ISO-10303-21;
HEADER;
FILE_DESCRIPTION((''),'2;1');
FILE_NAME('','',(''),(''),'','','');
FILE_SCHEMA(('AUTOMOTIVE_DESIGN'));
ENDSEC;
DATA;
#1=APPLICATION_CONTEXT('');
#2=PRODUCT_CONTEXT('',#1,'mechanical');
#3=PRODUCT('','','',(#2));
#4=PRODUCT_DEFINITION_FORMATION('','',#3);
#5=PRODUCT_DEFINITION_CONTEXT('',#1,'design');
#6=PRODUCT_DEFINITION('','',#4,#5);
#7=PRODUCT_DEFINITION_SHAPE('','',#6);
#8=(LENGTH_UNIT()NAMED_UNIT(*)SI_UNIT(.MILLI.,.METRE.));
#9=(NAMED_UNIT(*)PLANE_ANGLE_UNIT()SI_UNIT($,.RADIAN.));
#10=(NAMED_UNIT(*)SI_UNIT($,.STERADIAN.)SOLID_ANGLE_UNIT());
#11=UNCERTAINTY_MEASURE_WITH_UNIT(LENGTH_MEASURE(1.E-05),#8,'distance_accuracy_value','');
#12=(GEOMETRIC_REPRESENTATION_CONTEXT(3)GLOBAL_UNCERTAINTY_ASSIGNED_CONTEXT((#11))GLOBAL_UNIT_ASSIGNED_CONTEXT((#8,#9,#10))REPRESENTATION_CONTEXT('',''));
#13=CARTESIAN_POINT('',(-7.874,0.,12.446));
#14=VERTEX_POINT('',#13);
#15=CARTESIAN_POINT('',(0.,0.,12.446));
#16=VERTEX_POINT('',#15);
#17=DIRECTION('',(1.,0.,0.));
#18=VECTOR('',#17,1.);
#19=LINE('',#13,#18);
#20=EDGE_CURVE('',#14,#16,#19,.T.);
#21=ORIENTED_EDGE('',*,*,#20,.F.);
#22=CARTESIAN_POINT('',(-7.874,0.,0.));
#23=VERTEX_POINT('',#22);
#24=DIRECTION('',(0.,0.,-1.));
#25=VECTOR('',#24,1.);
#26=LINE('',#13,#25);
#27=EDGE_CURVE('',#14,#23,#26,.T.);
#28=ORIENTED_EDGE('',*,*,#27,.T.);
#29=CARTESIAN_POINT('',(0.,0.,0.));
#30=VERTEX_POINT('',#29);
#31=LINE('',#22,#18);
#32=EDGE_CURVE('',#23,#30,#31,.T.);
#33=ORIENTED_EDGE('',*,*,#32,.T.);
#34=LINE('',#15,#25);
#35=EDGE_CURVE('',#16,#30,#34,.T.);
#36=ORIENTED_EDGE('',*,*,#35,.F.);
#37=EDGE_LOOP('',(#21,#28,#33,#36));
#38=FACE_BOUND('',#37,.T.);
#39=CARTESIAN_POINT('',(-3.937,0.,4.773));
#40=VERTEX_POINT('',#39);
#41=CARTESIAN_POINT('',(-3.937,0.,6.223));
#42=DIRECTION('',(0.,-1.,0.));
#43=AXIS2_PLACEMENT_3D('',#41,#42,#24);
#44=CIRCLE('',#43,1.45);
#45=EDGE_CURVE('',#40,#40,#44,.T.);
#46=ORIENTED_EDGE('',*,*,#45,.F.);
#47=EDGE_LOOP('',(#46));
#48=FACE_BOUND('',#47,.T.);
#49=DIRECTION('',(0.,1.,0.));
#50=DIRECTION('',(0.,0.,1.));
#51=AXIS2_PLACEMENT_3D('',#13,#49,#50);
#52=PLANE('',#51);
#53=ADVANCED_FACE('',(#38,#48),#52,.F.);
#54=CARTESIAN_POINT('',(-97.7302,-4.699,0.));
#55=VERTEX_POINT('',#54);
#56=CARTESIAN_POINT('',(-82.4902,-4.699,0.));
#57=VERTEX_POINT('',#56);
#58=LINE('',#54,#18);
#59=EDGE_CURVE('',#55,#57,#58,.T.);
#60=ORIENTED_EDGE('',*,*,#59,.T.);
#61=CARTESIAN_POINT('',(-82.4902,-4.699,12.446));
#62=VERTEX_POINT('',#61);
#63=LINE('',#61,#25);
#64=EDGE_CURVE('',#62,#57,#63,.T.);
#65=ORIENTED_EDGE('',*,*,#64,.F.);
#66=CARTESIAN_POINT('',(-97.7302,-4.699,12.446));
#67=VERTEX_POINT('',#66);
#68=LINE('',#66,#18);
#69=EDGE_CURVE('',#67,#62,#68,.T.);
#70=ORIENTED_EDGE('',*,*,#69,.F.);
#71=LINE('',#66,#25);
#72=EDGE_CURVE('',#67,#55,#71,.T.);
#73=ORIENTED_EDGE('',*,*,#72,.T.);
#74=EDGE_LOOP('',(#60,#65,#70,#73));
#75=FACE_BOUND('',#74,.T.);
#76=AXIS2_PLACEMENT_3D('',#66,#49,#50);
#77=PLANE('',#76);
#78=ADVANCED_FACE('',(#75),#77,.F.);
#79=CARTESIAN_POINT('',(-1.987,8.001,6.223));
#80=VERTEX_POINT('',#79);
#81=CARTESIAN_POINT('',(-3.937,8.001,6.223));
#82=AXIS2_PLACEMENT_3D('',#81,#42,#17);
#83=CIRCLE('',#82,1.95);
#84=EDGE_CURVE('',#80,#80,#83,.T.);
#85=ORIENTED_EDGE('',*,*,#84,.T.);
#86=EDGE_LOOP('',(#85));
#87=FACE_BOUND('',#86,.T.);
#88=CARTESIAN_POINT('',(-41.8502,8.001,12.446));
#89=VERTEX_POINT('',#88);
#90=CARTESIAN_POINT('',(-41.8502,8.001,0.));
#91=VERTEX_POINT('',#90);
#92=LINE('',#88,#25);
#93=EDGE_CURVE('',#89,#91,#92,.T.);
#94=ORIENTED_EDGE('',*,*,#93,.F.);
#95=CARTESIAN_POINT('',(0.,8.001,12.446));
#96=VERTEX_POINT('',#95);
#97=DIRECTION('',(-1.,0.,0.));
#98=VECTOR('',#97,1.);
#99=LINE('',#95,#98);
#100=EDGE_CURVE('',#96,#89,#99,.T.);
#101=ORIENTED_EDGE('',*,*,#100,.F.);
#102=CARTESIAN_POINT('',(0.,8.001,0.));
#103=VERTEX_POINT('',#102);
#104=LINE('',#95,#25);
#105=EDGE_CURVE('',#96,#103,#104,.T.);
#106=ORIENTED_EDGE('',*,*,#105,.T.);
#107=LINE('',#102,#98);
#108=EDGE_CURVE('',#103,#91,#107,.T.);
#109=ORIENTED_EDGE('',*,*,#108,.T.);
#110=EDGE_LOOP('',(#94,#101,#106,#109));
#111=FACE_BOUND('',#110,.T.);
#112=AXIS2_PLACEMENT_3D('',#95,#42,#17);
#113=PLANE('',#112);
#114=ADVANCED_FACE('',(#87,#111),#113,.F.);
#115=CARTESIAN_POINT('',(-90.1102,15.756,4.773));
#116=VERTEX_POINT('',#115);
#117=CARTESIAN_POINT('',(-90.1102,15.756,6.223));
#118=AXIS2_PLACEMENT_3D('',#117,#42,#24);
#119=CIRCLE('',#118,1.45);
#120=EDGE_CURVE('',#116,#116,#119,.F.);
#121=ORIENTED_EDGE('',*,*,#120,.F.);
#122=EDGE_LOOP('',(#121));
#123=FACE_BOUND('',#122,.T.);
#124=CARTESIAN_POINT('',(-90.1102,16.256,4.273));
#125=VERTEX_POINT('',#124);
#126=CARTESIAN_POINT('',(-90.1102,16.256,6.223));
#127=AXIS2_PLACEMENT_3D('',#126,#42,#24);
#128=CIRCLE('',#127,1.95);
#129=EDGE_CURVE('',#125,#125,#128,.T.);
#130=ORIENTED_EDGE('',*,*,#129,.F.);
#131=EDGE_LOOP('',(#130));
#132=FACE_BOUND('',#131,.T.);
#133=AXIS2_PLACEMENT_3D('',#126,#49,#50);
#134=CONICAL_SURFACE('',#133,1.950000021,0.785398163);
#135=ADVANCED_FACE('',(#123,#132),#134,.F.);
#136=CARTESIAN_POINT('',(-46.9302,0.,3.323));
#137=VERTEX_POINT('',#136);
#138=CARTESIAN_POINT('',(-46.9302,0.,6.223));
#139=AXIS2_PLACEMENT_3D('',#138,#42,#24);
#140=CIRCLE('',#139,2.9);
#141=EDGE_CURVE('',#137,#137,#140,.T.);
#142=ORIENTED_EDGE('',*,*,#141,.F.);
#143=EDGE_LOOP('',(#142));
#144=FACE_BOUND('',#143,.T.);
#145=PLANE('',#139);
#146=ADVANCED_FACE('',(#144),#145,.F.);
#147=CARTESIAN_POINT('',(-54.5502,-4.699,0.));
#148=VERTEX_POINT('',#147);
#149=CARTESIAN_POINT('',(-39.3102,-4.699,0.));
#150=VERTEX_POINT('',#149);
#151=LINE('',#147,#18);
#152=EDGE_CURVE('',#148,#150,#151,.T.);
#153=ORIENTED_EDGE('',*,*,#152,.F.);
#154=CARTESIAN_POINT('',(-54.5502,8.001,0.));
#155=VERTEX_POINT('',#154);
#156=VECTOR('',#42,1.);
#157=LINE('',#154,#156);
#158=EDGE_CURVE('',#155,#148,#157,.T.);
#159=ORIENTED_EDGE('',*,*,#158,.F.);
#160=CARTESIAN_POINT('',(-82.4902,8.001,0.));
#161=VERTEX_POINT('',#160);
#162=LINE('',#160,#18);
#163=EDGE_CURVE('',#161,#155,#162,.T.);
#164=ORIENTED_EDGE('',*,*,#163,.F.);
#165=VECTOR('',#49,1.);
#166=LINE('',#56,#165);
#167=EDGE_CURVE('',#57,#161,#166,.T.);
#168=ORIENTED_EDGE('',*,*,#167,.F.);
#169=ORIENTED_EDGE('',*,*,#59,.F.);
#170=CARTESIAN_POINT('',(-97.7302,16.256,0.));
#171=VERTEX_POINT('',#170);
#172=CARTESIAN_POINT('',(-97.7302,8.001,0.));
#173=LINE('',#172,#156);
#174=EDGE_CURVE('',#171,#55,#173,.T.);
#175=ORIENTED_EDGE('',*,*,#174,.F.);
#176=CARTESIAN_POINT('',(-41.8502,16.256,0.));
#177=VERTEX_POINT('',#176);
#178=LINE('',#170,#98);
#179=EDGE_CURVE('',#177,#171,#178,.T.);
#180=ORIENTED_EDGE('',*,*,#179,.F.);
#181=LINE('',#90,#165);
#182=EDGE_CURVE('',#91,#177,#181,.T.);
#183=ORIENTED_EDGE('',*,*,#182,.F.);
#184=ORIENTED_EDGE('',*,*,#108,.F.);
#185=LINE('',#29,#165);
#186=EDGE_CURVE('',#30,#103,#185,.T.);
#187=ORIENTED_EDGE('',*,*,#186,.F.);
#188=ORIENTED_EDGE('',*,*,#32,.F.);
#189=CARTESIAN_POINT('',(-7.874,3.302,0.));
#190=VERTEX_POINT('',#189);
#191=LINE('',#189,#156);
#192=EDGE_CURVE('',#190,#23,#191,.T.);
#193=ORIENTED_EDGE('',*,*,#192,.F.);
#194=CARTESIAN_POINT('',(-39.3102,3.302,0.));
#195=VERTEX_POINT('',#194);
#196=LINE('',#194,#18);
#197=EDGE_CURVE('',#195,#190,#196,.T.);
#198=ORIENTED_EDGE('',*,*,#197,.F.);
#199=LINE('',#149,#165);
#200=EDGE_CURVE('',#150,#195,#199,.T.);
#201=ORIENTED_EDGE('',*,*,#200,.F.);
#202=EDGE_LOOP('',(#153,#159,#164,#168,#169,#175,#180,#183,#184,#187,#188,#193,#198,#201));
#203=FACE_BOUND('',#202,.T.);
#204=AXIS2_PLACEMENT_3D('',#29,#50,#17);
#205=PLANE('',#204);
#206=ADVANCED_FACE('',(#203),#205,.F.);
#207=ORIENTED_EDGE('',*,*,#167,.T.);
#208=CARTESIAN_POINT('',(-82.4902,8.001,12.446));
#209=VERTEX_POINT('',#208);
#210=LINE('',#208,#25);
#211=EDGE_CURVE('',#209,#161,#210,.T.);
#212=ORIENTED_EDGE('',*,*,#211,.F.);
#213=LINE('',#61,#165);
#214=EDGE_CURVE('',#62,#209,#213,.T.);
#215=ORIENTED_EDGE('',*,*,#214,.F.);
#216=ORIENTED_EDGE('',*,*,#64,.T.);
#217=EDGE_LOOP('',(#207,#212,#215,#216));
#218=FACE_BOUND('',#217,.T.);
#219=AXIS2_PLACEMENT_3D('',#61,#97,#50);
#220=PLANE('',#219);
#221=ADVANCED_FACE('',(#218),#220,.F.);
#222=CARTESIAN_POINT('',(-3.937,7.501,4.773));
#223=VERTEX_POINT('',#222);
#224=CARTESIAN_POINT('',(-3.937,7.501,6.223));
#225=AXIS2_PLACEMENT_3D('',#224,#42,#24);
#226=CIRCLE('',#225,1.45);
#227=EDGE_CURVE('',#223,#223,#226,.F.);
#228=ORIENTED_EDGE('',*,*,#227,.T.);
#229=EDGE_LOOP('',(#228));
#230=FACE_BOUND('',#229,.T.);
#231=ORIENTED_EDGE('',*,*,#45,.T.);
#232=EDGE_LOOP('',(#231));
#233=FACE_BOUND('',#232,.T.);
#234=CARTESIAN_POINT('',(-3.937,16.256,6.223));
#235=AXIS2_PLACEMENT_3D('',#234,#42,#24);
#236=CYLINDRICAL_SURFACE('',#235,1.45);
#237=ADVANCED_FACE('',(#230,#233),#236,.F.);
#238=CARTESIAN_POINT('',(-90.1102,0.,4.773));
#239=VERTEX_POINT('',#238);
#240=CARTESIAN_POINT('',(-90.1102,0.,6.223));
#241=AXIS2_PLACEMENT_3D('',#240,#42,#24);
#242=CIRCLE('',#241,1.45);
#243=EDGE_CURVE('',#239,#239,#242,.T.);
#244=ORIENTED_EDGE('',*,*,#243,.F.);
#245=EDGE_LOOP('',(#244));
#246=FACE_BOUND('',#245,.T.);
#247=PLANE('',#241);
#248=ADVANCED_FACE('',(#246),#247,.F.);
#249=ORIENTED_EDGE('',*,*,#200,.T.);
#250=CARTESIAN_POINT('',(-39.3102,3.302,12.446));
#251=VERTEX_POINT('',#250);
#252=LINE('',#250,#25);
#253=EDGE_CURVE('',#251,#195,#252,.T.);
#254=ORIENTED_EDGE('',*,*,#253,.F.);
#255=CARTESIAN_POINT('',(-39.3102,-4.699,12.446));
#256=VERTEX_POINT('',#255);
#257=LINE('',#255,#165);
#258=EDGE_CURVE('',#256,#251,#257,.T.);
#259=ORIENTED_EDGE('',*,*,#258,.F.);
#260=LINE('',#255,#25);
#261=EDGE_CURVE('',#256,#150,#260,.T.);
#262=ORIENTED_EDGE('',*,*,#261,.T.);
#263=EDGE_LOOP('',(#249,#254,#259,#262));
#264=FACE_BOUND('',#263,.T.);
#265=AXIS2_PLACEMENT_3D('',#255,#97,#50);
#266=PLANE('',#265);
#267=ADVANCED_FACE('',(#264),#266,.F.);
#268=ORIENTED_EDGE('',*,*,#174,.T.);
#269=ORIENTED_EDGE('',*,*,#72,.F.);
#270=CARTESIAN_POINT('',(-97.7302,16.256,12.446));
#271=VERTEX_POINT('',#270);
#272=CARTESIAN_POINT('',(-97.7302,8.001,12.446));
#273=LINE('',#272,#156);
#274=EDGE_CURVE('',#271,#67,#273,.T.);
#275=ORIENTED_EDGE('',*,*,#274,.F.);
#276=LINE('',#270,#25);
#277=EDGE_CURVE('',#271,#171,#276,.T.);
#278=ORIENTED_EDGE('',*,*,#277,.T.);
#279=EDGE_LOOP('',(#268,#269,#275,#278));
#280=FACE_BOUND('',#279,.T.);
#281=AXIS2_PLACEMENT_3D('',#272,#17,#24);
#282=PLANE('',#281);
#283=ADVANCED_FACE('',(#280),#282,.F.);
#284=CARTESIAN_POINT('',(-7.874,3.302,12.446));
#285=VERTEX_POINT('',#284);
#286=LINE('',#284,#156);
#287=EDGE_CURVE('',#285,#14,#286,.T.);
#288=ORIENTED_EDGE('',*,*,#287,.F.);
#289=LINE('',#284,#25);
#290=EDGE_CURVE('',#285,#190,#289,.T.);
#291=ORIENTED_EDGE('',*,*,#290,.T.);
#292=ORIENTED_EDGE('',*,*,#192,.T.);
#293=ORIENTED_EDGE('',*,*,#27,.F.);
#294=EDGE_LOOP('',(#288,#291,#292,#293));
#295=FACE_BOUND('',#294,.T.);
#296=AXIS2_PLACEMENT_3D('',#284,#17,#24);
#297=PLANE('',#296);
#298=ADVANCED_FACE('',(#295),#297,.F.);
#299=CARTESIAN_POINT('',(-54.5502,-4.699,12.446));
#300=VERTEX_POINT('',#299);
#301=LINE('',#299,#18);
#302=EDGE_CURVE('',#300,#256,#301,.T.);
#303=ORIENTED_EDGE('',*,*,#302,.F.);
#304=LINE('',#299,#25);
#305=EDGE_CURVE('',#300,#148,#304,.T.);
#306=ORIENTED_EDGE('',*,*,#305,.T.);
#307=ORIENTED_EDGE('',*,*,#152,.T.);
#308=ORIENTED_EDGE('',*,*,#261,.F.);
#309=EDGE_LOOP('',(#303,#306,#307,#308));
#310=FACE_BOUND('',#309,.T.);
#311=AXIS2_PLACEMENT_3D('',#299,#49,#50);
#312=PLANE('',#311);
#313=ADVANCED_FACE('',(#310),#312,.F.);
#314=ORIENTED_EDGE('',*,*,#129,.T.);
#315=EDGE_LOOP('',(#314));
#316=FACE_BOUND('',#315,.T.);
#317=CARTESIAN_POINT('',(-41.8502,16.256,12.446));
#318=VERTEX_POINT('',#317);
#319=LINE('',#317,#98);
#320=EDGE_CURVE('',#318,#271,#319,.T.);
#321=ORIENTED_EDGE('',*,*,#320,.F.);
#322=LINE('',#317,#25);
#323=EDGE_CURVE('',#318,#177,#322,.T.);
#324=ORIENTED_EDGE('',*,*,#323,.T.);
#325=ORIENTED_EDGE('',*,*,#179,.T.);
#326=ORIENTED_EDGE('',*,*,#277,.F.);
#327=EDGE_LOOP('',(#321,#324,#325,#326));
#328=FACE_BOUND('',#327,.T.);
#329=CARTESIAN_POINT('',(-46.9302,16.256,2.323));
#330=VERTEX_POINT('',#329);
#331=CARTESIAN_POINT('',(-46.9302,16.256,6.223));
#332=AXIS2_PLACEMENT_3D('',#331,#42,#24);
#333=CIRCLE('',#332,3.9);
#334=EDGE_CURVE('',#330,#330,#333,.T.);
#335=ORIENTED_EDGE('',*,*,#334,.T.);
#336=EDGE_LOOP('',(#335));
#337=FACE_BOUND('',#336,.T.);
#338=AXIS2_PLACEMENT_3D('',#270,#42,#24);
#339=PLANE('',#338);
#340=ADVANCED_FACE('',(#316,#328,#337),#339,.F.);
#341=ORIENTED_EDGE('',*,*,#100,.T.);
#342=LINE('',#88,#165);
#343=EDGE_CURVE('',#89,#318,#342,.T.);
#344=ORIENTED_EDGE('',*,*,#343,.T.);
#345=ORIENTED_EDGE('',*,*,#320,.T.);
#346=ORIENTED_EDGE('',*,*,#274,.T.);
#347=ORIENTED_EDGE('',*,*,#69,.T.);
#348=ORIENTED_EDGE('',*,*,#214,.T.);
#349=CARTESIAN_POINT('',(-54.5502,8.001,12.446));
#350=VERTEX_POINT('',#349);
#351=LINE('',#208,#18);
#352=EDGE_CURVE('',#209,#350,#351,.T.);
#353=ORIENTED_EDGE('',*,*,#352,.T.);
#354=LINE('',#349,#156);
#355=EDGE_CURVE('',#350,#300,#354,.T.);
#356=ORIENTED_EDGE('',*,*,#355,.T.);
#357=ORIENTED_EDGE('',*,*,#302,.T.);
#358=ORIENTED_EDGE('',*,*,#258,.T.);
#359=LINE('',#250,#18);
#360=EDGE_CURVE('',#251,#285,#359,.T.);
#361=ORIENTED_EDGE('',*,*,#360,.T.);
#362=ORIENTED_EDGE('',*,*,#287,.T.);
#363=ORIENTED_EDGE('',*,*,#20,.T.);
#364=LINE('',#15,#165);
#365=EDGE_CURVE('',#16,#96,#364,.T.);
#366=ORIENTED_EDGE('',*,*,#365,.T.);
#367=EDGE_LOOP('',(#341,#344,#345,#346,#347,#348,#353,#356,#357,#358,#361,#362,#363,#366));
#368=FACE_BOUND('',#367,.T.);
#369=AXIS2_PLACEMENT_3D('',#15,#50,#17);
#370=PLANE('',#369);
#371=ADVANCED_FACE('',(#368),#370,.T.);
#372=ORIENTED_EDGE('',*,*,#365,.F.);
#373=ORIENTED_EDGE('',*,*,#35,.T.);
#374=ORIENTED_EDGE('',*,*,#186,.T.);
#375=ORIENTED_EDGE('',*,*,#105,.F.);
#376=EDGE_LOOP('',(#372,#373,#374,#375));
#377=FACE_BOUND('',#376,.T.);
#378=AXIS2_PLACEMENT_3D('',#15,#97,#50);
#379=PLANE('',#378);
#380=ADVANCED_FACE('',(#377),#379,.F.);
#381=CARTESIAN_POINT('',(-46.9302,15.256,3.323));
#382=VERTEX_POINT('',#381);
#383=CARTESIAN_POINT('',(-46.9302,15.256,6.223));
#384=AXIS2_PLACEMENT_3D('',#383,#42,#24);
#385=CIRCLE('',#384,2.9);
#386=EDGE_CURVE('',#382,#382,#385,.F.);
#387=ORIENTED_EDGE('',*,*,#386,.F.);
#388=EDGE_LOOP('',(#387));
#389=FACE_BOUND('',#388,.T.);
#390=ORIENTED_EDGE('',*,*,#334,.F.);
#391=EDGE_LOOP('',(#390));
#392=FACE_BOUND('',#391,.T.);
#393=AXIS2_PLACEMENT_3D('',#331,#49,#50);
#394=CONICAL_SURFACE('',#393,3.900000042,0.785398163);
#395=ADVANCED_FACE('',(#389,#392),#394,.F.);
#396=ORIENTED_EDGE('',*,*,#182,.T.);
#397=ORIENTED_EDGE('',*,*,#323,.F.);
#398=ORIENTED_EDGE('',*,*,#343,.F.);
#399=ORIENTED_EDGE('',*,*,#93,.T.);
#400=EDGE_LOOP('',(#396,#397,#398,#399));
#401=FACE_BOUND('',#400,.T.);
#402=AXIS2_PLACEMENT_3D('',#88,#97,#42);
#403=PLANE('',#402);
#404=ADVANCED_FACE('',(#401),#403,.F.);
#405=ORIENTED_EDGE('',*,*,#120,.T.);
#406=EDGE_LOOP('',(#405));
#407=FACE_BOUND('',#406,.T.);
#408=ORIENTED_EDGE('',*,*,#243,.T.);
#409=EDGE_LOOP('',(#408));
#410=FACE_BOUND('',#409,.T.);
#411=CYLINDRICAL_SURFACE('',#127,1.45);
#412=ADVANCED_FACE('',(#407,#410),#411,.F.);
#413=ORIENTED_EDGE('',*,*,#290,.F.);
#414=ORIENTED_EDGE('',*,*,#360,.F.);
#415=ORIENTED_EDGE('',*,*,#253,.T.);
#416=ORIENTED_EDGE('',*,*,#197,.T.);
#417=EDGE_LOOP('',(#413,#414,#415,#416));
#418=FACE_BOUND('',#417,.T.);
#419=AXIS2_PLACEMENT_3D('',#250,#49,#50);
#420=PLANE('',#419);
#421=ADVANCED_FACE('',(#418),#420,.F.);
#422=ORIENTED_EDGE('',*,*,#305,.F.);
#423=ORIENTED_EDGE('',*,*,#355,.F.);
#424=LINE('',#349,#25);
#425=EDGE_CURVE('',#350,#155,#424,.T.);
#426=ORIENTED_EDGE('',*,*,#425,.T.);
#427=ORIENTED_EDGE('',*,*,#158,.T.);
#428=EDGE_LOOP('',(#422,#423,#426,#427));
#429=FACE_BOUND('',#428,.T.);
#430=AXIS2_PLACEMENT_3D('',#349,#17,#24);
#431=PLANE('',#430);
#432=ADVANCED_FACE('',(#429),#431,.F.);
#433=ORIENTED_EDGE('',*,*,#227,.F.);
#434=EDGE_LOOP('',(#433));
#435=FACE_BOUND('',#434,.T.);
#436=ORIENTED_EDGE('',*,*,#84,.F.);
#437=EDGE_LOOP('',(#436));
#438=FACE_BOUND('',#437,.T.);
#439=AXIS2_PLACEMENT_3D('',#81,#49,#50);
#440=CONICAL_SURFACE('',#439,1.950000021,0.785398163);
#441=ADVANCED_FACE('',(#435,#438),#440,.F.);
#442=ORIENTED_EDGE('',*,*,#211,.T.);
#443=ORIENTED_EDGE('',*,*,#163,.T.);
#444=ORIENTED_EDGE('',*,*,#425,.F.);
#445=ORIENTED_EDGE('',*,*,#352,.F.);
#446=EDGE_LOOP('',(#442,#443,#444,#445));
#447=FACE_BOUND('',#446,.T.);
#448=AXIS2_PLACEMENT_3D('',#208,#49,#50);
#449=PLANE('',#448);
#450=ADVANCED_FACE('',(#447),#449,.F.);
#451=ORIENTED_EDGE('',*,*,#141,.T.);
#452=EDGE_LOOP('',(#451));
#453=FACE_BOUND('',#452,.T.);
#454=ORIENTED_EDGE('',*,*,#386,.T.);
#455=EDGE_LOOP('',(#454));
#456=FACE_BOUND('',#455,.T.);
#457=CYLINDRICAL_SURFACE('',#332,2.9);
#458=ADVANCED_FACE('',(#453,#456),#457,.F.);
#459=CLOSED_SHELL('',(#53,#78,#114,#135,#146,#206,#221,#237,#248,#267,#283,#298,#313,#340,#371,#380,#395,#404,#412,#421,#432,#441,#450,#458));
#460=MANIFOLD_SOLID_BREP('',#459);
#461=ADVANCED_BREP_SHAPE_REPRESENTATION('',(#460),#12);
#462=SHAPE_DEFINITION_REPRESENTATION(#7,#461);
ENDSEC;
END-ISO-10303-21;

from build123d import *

# Parameters (mm, degrees)
BOSS_EXTRUDE1_DEPTH = 12.446
SKETCH2_R           = 1.450000021
SKETCH2_R_2         = 2.900000042
CUT_EXTRUDE1_DEPTH  = 100.851652202
CHAMFER2_SIZE       = 0.5
CHAMFER3_SIZE       = 1


with BuildPart() as part:
    # Sketch1 → Boss-Extrude1 (new body)
    with BuildSketch(Plane.XY):
        Polygon((0, 8.001), (-41.850200018, 8.001), (-41.850200018, 16.256), (-57.090200018, 16.256), (-82.490200018, 16.256), (-97.730200018, 16.256), (-97.730200018, 8.001), (-97.730200018, -4.699), (-82.490200018, -4.699), (-82.490200018, 8.001), (-54.550200018, 8.001), (-54.550200018, -4.699), (-39.310200018, -4.699), (-39.310200018, 3.302), (-7.874, 3.302), (-7.874, 0), (0, 0), align=None)
    extrude(amount=BOSS_EXTRUDE1_DEPTH)

    # Sketch2 → Cut-Extrude1 (cut, through all)
    with BuildSketch(Plane.XZ):
        with Locations(Location((-90.110200018, 6.223, 0), (0, 0, 270))):
            Circle(SKETCH2_R)
        with Locations(Location((-46.930200018, 6.223, 0), (0, 0, 270))):
            Circle(SKETCH2_R_2)
        with Locations(Location((-3.937, 6.223, 0), (0, 0, 270))):
            Circle(SKETCH2_R)
    extrude(amount=-CUT_EXTRUDE1_DEPTH, mode=Mode.SUBTRACT)

    # Chamfer2
    chamfer2_edges = [part.edges().sort_by_distance(p)[0] for p in [
        (-90.110200018, 16.256, 7.673000021),
        (-3.937, 8.001, 7.673000021),
    ]]
    chamfer(chamfer2_edges, length=CHAMFER2_SIZE)

    # Chamfer3
    chamfer3_edges = [part.edges().sort_by_distance(p)[0] for p in [
        (-46.930200018, 16.256, 9.123000042),
    ]]
    chamfer(chamfer3_edges, length=CHAMFER3_SIZE)


solid = part.part
